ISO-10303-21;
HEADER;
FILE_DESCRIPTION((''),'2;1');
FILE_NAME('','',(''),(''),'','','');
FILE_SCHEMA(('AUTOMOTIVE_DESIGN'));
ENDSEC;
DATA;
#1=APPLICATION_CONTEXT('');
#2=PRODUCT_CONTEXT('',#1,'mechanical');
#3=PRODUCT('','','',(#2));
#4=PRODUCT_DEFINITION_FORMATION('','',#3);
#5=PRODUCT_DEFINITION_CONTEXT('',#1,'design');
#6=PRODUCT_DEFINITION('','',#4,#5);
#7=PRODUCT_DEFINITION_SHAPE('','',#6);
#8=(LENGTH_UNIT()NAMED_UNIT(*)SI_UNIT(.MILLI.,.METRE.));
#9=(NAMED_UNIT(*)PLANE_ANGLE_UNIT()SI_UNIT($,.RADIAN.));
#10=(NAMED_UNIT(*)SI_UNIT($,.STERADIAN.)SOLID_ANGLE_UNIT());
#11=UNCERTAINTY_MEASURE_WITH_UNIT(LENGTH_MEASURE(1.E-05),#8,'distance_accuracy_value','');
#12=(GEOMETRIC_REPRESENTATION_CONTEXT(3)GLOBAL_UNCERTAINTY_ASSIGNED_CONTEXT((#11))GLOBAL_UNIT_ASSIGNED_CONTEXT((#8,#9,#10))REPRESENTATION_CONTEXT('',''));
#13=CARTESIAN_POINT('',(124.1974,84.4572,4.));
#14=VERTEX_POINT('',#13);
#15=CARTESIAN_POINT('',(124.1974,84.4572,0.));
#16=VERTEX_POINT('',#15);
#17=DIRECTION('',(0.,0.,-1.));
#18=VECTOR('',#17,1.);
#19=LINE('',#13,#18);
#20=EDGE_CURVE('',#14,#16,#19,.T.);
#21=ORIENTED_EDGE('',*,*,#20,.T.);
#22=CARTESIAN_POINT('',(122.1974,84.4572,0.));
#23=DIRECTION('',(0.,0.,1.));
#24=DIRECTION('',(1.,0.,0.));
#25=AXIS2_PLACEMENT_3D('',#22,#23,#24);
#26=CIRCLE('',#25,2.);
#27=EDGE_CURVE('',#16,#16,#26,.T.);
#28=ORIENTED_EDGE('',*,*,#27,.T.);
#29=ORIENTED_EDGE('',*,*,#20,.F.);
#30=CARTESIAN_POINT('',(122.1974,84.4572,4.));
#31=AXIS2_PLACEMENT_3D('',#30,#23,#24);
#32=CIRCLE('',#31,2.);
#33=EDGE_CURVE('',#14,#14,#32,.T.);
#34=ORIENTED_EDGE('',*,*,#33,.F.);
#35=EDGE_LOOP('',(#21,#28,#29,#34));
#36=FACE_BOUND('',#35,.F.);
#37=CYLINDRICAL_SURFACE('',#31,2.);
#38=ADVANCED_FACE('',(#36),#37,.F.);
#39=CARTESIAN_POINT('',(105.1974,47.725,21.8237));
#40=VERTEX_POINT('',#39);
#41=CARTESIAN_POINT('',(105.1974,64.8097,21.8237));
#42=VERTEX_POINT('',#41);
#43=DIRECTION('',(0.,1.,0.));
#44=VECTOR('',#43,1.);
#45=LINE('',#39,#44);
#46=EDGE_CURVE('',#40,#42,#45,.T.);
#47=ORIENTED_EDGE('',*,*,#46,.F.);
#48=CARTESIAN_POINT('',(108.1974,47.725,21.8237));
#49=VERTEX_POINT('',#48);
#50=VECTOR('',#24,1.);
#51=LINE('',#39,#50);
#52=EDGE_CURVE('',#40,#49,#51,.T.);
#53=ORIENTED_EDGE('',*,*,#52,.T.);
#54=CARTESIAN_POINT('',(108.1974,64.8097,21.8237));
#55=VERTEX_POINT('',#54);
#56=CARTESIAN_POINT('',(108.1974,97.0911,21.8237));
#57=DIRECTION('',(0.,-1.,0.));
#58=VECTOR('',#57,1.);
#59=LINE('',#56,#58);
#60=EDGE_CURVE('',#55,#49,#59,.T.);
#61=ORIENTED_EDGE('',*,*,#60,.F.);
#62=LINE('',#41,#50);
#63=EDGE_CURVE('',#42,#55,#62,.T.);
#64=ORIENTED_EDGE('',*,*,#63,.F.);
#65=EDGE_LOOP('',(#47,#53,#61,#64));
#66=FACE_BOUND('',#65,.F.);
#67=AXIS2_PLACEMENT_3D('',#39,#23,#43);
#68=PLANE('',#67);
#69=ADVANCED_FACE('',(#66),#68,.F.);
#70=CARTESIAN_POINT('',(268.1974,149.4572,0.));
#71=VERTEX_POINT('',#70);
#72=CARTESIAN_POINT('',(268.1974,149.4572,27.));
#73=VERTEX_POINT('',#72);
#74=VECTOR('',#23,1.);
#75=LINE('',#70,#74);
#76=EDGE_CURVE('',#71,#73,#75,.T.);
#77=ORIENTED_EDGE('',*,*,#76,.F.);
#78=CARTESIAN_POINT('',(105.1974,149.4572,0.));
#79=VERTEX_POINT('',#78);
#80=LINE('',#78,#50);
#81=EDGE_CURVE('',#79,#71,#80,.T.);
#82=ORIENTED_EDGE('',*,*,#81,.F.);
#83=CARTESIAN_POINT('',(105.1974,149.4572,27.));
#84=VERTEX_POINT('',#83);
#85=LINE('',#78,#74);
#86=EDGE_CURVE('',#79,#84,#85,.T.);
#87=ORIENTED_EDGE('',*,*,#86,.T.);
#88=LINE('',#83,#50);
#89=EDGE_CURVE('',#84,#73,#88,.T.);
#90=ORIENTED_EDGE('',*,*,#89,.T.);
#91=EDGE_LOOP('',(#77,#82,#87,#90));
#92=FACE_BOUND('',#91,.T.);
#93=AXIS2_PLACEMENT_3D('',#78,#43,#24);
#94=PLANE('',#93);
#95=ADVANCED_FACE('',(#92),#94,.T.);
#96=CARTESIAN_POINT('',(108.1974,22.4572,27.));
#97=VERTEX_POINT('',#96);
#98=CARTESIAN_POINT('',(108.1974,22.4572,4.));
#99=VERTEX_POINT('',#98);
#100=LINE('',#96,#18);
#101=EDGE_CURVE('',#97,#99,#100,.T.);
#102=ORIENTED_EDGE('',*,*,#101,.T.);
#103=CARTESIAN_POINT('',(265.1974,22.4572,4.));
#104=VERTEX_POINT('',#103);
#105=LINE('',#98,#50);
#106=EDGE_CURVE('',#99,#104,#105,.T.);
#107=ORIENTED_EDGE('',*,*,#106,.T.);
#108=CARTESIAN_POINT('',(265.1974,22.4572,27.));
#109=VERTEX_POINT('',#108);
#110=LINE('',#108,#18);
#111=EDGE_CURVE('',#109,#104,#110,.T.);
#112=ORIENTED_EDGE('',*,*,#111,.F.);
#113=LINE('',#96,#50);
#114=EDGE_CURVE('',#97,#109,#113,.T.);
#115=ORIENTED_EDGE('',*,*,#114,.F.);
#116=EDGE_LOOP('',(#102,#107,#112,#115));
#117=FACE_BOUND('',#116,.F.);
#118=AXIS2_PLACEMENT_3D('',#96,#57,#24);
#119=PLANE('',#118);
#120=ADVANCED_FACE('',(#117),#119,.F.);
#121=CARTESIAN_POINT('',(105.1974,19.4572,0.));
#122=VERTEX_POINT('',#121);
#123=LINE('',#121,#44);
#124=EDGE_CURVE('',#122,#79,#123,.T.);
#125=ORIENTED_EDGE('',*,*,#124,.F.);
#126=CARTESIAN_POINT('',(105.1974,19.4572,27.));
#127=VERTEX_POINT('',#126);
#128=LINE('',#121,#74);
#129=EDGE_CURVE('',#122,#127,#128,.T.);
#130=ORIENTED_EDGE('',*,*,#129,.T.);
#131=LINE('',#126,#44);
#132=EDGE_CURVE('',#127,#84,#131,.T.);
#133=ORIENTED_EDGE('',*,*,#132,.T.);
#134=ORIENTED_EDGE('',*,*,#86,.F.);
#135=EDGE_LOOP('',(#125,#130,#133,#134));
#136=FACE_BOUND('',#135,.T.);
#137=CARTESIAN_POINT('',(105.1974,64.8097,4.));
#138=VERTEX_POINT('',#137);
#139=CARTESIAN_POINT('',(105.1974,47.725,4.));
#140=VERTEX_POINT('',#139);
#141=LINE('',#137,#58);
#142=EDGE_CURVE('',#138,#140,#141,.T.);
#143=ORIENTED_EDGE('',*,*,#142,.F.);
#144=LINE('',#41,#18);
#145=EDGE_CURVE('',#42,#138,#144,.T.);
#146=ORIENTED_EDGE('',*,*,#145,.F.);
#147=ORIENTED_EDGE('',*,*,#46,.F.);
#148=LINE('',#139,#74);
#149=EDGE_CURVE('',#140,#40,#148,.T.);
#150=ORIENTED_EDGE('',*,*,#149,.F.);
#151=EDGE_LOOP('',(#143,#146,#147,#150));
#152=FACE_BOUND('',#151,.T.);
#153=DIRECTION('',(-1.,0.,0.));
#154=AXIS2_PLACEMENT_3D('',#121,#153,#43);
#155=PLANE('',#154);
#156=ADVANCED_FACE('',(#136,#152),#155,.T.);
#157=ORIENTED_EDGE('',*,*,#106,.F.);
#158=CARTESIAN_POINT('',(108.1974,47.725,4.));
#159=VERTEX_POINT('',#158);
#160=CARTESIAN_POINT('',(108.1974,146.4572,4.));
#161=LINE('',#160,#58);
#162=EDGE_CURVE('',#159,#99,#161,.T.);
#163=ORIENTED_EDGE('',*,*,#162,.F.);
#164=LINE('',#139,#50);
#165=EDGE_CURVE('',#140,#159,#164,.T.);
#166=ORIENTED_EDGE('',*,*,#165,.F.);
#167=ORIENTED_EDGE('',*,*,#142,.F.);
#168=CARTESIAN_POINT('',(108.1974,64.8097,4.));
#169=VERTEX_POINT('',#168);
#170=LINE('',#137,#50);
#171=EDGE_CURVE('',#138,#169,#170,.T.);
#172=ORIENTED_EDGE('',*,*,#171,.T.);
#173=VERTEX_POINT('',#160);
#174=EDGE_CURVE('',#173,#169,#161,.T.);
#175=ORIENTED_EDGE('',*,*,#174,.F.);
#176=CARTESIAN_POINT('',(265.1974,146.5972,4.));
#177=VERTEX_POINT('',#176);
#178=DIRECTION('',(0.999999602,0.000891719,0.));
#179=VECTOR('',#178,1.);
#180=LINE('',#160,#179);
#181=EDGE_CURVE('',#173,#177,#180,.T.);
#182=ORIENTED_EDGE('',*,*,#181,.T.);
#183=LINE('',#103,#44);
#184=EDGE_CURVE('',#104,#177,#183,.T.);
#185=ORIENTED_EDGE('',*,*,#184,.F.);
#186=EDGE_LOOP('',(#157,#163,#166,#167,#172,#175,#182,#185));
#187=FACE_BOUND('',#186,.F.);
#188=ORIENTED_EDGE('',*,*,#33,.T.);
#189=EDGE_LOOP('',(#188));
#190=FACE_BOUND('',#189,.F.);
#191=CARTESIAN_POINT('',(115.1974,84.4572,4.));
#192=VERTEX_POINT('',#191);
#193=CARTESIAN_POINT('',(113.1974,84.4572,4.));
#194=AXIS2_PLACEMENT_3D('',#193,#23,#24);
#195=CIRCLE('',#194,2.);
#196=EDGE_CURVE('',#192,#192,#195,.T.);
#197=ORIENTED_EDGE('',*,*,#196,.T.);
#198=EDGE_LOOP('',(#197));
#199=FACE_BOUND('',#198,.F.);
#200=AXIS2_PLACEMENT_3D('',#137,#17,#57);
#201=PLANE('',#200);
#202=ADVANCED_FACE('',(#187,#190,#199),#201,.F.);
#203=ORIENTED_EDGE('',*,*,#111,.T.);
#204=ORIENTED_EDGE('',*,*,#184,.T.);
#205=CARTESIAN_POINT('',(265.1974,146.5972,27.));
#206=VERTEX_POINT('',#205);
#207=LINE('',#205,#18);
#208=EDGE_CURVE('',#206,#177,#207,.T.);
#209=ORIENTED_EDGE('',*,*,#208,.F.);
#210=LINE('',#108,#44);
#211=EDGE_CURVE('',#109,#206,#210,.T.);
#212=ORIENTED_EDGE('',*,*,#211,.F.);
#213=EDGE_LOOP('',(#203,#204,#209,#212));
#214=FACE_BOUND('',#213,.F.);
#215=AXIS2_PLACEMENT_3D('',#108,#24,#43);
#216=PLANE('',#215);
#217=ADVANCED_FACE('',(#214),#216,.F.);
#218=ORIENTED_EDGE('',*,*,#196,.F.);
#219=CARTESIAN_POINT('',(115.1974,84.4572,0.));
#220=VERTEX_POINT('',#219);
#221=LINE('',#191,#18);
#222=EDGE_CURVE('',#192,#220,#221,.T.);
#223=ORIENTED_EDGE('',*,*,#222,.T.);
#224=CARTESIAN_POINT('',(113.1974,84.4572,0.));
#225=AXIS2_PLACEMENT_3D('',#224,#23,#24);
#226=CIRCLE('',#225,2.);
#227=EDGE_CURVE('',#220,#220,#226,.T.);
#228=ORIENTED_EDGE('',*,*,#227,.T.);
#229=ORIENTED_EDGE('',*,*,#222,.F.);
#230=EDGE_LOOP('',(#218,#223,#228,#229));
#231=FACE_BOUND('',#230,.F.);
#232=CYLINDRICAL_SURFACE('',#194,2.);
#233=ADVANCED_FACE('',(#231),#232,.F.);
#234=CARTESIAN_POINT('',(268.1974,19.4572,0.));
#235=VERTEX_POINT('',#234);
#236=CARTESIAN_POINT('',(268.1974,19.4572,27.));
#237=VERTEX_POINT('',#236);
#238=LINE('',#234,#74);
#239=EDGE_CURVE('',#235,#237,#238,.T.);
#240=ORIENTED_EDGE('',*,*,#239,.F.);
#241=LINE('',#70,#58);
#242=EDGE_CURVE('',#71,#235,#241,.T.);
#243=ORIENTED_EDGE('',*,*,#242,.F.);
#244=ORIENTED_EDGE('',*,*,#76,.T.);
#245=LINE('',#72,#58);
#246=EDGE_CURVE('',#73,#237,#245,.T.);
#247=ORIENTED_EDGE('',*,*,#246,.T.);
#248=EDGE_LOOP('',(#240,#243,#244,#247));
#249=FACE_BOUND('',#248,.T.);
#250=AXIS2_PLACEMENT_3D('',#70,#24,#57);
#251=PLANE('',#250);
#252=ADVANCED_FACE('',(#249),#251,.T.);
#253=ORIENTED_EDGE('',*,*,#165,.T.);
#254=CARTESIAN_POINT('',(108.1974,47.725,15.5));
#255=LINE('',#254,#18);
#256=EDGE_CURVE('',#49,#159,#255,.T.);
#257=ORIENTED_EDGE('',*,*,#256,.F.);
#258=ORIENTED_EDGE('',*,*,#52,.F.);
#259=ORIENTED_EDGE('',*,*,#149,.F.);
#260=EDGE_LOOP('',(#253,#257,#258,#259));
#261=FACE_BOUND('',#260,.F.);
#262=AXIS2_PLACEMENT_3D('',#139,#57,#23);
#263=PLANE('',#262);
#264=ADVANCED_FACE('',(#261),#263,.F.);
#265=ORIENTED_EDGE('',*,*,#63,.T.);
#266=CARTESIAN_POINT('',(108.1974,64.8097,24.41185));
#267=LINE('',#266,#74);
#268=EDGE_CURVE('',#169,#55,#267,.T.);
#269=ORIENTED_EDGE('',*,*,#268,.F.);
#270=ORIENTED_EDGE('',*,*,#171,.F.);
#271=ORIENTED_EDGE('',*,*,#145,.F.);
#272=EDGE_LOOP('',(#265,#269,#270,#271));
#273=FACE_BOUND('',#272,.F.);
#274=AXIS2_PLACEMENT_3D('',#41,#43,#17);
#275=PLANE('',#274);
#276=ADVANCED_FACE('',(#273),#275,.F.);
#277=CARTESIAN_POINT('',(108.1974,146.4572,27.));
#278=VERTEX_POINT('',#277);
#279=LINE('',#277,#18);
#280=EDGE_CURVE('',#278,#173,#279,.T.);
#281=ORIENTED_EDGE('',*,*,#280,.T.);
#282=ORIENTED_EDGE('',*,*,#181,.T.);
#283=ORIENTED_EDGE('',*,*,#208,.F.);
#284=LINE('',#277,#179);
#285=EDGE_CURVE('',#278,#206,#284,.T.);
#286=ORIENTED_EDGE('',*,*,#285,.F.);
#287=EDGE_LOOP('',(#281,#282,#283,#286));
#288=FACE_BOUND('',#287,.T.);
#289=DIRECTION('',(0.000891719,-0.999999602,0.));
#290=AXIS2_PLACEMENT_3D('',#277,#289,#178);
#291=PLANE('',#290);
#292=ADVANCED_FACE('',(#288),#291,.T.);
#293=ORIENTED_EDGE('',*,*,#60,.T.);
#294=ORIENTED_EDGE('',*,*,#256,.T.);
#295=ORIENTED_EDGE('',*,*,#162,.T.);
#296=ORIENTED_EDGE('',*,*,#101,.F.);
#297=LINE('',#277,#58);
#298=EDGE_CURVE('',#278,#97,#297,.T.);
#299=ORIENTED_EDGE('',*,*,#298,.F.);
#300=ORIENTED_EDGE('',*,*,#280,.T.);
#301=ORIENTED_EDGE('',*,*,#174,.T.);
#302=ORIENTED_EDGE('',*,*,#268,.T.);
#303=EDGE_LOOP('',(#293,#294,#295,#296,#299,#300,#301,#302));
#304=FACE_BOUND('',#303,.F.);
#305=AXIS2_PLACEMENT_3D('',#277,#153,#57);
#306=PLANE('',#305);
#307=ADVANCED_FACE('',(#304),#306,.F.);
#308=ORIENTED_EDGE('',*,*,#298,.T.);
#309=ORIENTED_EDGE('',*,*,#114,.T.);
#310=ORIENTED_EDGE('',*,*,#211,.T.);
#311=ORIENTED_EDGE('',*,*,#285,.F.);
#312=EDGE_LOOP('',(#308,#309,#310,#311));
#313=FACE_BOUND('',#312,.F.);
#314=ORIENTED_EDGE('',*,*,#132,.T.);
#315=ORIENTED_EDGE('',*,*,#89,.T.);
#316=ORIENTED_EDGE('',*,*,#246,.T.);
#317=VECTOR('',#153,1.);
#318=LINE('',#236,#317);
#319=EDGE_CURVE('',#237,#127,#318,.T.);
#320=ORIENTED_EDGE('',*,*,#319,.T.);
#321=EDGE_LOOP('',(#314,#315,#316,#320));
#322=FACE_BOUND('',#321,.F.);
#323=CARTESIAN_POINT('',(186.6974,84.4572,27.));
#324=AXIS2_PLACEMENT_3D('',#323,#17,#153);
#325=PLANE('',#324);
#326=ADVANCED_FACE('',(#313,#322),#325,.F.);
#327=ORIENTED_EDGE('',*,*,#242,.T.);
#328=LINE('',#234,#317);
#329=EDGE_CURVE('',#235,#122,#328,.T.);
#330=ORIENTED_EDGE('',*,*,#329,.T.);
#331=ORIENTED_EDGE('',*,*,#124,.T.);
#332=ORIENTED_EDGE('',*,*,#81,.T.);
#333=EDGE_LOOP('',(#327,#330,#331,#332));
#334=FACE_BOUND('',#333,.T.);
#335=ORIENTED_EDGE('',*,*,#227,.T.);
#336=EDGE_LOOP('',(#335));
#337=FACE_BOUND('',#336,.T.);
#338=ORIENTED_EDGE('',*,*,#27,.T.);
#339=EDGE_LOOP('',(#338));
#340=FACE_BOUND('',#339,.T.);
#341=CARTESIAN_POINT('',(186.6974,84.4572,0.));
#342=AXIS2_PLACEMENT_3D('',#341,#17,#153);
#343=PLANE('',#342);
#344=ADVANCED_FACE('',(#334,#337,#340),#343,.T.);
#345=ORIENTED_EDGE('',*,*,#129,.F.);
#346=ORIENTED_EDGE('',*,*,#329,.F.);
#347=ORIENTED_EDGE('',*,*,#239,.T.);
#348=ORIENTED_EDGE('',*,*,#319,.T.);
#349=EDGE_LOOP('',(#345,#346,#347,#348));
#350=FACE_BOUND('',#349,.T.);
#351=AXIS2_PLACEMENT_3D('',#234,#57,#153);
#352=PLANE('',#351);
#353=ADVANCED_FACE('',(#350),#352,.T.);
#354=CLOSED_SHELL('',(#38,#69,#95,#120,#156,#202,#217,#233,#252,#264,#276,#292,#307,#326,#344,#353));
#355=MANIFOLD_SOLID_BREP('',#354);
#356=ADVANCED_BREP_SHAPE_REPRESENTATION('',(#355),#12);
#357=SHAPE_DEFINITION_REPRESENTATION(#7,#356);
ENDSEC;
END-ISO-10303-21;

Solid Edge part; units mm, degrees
sketch "Sketch1" plane through (0, 0, 0) normal (0, 0, 1) x (1, 0, 0)
  line L0 (105.1974, 149.4572) -> (268.1974, 149.4572)
  line L1 (268.1974, 149.4572) -> (268.1974, 19.4572)
  line L2 (268.1974, 19.4572) -> (105.1974, 19.4572)
  line L3 (105.1974, 19.4572) -> (105.1974, 149.4572)
  dimension "D1" = 163
  dimension "D2" = 130
extrude "Protrusion1" add sketch "Sketch1" along normal blind 27
sketch "Sketch2" plane through (170.1974, 84.4572, 27) normal (0, 0, 1) x (1, 0, 0)
  line L0 (-62, 62) -> (-62, -62)
  line L1 (-62, -62) -> (95, -62)
  line L2 (95, -62) -> (95, 62.14)
  line L3 (-62, 62) -> (95, 62.14)
  dimension "D1" = 3
  dimension "D2" = 3
  dimension "D3" = 3
  dimension "D4" = 3
  dimension "D5" = 3
extrude "ExtrudedCutout_1" cut sketch "Sketch2" against normal blind 23
sketch "Sketch3" plane through (170.1974, 84.5136, 4) normal (0, 0, 1) x (1, 0, 0)
  circle A0 centre (-57, -0.0564) radius 2
  circle A1 centre (-48, -0.0564) radius 2
  dimension "D1" = 4
  dimension "D2" = 5
  dimension "D3" = 4
  dimension "D4" = 9
extrude "Cutout1" cut sketch "Sketch3" against normal through all
extrude "Cutout2" [suppressed]
extrude "ExtrudedCutout_4" [suppressed]
sketch "Sketch4" plane through (105.1974, 84.4572, 12) normal (-1, 0, 0) x (0, -1, 0)
  line L0 (19.6475, 9.8237) -> (19.6475, -8)
  line L1 (19.6475, -8) -> (36.7322, -8)
  line L2 (36.7322, -8) -> (36.7322, 9.8237)
  line L3 (36.7322, 9.8237) -> (19.6475, 9.8237)
extrude "Cutout3" cut sketch "Sketch4" against normal up to next
extrude "Cutout4" [suppressed]
extrude "Cutout5" [suppressed]
